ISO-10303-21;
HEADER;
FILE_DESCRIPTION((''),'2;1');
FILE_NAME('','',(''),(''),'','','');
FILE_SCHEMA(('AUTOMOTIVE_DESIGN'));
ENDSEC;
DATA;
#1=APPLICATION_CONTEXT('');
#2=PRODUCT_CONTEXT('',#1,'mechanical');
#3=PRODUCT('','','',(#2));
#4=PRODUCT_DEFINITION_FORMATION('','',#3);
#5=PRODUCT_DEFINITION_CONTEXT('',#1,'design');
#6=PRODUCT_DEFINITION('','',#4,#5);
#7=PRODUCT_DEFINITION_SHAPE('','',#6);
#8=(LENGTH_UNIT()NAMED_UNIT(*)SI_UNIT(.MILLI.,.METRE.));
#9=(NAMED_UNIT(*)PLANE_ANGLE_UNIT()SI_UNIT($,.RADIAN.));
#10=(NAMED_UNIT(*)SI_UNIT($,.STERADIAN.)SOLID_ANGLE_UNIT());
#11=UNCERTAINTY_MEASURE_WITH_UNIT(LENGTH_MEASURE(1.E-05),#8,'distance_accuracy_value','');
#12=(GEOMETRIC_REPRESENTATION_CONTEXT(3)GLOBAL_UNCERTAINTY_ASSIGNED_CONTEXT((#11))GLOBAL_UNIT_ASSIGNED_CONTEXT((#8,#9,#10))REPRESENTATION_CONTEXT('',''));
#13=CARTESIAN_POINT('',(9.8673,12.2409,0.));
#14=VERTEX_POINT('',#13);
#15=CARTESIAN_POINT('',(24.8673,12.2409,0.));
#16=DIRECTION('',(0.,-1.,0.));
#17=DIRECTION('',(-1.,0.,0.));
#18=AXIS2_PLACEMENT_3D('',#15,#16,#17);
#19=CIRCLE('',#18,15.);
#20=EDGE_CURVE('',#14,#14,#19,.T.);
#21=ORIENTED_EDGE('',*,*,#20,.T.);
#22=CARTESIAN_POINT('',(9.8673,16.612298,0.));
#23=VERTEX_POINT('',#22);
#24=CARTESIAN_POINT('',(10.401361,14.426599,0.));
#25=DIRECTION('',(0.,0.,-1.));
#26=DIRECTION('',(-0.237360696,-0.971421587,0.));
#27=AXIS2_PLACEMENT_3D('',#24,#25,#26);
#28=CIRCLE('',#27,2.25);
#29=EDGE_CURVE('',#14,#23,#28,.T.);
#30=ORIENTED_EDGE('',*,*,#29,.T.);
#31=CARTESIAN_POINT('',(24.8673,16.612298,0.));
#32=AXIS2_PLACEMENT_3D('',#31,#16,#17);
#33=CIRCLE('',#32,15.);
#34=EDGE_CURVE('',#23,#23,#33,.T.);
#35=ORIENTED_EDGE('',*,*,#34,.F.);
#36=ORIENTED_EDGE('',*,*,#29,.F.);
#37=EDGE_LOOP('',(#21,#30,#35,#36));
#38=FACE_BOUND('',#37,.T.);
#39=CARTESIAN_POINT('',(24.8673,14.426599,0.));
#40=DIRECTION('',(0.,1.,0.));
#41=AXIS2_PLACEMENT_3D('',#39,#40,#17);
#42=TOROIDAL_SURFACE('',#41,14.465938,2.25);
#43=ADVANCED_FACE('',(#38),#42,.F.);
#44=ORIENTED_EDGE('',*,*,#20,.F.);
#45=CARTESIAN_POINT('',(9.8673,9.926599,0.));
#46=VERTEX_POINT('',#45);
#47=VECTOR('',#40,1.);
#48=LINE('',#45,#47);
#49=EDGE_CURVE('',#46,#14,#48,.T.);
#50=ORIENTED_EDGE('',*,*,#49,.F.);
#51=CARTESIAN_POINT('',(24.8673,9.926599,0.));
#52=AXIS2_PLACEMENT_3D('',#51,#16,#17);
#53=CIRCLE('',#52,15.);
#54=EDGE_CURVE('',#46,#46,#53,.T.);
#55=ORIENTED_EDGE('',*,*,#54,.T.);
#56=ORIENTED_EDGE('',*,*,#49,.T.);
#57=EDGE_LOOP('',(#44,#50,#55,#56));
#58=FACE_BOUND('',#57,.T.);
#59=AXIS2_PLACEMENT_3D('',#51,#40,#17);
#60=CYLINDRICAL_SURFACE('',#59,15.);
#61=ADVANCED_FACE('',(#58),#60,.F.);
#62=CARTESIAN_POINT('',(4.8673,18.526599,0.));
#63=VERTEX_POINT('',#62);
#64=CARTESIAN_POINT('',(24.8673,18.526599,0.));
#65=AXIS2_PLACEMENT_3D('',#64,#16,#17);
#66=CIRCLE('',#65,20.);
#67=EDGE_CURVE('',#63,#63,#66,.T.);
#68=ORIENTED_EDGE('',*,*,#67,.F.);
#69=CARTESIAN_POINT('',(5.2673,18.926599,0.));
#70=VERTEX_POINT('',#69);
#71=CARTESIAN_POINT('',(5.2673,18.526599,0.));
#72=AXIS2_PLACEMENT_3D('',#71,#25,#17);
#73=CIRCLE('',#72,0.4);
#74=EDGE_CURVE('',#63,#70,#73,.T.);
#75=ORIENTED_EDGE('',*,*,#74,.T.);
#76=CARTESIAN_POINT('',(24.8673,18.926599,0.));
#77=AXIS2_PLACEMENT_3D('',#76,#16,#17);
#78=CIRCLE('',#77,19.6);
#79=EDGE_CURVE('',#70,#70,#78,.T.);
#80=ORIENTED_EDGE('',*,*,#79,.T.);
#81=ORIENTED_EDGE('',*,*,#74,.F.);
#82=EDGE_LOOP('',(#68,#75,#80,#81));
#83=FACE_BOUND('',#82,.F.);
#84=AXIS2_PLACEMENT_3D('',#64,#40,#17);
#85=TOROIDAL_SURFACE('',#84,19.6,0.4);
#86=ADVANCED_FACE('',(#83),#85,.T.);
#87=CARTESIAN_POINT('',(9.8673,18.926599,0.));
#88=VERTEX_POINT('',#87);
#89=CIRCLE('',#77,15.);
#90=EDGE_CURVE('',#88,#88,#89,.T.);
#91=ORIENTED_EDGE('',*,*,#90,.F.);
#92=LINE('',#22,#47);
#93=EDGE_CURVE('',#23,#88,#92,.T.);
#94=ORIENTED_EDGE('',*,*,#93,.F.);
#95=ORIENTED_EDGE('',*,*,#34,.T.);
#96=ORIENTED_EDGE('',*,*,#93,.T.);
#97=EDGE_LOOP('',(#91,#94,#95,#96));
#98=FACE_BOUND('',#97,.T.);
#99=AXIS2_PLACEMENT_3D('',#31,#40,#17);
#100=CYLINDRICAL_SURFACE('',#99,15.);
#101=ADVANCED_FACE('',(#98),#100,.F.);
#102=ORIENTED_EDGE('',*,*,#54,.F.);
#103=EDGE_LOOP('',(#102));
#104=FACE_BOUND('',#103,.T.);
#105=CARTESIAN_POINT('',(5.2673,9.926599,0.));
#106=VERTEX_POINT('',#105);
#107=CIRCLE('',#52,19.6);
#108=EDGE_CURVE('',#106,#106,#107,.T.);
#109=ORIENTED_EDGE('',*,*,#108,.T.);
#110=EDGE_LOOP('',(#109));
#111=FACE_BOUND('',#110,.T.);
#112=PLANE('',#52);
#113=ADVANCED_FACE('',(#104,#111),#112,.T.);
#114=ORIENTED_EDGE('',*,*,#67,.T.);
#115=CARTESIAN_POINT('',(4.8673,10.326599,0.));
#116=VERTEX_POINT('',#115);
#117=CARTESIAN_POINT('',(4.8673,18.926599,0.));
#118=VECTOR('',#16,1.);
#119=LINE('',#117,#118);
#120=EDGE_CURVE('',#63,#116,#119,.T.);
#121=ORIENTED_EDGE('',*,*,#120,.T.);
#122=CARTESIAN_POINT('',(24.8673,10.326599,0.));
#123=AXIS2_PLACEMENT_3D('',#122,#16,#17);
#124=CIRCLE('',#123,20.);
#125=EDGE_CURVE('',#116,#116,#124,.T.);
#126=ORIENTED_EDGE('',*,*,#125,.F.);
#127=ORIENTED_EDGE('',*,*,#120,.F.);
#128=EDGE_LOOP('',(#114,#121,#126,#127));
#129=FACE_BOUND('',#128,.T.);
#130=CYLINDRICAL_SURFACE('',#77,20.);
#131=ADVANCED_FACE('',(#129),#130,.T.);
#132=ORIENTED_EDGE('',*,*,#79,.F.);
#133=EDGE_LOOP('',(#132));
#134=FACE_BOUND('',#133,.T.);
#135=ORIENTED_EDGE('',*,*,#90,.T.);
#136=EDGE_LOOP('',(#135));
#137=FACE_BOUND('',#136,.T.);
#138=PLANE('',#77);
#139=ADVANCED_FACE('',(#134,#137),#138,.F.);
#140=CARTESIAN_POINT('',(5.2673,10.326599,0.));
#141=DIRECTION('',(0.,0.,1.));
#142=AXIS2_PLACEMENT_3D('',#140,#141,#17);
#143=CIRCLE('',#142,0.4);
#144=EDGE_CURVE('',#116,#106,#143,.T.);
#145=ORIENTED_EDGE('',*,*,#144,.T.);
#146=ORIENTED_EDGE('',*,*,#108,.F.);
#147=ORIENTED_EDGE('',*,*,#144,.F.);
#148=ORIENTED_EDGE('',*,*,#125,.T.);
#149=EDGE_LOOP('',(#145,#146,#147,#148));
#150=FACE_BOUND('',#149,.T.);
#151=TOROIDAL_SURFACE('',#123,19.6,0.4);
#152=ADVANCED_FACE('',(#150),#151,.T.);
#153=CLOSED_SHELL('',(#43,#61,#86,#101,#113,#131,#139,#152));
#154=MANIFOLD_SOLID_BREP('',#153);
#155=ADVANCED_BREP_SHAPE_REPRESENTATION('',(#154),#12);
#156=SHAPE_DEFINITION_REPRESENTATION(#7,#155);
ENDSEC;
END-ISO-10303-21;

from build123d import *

# Parameters (mm, degrees)
F2_R = 0.4


with BuildPart() as f1:
    # F0 (on Top) → F1 (revolve)
    with BuildSketch(Plane.XY):
        with BuildLine():
            Line((4.8672996052, 18.9265990148), (4.8672996052, 9.9265990148))
            Line((4.8672996052, 9.9265990148), (9.3672996052, 9.9265990148))
            Line((9.3672996052, 9.9265990148), (9.8672996052, 9.9265990148))
            Line((9.8672996052, 9.9265990148), (9.8672996052, 12.2409004436))
            ThreePointArc((9.8672996052, 12.2409004436), (8.1513611708, 14.4265990148), (9.8672996052, 16.612297586))
            Line((9.8672996052, 16.612297586), (9.8672996052, 18.9265990148))
            Line((9.8672996052, 18.9265990148), (4.8672996052, 18.9265990148))
        make_face()
    revolve(axis=Axis((24.8672996052, 14.4265990148, 0), (0, -1, 0)))

    # F2
    f2_edges = [f1.edges().sort_by_distance(p)[0] for p in [
        (44.8673, 18.926599, 0),
        (44.8673, 9.926599, 0),
    ]]
    fillet(f2_edges, radius=F2_R)


solid = f1.part
